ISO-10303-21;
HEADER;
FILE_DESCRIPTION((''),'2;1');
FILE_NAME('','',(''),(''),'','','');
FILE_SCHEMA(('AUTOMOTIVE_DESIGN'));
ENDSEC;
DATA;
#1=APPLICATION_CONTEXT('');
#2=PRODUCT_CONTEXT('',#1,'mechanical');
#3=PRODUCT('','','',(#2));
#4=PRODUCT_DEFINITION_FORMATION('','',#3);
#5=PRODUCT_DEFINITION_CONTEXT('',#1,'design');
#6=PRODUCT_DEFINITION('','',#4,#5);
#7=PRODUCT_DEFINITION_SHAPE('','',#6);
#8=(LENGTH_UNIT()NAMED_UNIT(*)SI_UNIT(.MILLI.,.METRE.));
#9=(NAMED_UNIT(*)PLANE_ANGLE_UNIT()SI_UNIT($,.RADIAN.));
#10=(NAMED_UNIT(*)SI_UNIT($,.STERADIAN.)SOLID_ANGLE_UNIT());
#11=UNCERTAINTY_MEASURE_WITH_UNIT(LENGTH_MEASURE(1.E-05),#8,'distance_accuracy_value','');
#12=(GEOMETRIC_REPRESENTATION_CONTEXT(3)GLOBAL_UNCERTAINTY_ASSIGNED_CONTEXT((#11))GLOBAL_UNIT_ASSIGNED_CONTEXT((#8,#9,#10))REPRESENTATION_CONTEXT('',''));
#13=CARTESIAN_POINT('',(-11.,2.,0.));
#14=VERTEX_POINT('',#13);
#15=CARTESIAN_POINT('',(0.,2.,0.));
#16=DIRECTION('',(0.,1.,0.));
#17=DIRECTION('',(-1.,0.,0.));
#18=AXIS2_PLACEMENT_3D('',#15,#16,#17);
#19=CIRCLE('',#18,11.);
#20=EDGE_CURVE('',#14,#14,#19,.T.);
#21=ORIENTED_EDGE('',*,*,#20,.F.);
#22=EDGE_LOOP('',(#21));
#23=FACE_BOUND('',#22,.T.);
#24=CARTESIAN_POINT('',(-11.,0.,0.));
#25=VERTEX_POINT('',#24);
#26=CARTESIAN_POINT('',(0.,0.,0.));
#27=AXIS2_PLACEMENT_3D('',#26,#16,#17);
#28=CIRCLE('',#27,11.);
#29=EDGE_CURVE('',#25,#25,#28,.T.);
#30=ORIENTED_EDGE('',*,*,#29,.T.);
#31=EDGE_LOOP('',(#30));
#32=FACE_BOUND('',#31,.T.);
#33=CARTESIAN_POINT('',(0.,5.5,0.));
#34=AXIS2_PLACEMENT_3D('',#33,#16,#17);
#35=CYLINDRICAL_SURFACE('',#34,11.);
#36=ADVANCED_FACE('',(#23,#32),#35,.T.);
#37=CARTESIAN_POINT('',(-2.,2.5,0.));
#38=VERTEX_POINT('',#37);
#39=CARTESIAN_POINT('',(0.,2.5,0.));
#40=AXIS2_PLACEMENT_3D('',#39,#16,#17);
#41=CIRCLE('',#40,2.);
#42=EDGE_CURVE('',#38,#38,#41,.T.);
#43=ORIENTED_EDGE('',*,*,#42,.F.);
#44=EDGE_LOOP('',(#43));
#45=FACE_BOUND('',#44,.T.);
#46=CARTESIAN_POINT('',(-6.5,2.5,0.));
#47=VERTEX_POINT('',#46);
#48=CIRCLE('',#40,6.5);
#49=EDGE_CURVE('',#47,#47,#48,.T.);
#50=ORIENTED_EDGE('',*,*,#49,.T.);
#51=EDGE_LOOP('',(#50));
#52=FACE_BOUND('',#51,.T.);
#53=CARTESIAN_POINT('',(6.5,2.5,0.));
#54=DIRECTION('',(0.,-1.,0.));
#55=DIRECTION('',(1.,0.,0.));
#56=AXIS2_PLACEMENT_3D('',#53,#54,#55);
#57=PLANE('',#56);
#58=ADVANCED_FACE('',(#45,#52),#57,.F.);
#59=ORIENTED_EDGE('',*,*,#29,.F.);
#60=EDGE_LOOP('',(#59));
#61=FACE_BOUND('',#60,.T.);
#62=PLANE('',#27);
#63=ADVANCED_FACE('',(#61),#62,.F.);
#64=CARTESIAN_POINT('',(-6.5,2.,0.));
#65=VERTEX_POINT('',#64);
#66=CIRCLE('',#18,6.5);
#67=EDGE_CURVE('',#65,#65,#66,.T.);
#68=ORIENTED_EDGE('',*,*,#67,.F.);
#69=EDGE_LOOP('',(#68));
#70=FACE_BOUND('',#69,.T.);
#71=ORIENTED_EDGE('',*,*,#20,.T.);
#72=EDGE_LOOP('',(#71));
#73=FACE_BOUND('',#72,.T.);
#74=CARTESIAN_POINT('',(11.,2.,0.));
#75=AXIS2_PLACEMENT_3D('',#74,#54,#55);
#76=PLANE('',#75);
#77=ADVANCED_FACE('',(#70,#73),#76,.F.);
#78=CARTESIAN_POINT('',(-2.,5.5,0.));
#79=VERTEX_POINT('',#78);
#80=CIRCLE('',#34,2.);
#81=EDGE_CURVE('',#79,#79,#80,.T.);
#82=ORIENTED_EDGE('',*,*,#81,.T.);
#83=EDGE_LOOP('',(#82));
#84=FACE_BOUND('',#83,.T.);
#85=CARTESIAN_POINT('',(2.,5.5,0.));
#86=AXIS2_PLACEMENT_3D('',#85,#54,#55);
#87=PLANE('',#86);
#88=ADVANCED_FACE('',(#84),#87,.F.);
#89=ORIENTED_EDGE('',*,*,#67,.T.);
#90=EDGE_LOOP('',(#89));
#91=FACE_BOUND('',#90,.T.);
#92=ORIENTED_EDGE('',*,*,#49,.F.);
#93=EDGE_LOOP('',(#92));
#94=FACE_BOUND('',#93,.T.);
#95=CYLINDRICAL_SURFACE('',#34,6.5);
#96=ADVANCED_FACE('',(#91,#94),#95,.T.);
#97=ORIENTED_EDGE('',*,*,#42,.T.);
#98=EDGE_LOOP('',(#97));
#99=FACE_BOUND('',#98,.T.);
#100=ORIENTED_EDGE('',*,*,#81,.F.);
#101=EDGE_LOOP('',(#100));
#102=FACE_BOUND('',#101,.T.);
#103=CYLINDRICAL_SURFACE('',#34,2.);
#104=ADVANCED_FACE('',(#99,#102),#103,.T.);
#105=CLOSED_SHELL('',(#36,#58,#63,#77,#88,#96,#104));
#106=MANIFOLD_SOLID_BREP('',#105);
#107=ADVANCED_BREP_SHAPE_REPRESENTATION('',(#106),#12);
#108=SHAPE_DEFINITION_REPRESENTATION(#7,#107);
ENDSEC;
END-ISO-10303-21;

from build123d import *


with BuildPart() as part:
    # Sketch1 → Revolve1 (revolve)
    with BuildSketch(Plane.XY, mode=Mode.PRIVATE) as revolve1_sk:
        Polygon((0, 0), (11, 0), (11, 2), (6.5, 2), (6.5, 2.5), (2, 2.5), (2, 5.5), (0, 5.5), align=None)
    revolve(revolve1_sk.sketch.rotate(Axis((0, 5.5, 0), (0, -1, 0)), 180), axis=Axis((0, 5.5, 0), (0, -1, 0)))


solid = part.part
